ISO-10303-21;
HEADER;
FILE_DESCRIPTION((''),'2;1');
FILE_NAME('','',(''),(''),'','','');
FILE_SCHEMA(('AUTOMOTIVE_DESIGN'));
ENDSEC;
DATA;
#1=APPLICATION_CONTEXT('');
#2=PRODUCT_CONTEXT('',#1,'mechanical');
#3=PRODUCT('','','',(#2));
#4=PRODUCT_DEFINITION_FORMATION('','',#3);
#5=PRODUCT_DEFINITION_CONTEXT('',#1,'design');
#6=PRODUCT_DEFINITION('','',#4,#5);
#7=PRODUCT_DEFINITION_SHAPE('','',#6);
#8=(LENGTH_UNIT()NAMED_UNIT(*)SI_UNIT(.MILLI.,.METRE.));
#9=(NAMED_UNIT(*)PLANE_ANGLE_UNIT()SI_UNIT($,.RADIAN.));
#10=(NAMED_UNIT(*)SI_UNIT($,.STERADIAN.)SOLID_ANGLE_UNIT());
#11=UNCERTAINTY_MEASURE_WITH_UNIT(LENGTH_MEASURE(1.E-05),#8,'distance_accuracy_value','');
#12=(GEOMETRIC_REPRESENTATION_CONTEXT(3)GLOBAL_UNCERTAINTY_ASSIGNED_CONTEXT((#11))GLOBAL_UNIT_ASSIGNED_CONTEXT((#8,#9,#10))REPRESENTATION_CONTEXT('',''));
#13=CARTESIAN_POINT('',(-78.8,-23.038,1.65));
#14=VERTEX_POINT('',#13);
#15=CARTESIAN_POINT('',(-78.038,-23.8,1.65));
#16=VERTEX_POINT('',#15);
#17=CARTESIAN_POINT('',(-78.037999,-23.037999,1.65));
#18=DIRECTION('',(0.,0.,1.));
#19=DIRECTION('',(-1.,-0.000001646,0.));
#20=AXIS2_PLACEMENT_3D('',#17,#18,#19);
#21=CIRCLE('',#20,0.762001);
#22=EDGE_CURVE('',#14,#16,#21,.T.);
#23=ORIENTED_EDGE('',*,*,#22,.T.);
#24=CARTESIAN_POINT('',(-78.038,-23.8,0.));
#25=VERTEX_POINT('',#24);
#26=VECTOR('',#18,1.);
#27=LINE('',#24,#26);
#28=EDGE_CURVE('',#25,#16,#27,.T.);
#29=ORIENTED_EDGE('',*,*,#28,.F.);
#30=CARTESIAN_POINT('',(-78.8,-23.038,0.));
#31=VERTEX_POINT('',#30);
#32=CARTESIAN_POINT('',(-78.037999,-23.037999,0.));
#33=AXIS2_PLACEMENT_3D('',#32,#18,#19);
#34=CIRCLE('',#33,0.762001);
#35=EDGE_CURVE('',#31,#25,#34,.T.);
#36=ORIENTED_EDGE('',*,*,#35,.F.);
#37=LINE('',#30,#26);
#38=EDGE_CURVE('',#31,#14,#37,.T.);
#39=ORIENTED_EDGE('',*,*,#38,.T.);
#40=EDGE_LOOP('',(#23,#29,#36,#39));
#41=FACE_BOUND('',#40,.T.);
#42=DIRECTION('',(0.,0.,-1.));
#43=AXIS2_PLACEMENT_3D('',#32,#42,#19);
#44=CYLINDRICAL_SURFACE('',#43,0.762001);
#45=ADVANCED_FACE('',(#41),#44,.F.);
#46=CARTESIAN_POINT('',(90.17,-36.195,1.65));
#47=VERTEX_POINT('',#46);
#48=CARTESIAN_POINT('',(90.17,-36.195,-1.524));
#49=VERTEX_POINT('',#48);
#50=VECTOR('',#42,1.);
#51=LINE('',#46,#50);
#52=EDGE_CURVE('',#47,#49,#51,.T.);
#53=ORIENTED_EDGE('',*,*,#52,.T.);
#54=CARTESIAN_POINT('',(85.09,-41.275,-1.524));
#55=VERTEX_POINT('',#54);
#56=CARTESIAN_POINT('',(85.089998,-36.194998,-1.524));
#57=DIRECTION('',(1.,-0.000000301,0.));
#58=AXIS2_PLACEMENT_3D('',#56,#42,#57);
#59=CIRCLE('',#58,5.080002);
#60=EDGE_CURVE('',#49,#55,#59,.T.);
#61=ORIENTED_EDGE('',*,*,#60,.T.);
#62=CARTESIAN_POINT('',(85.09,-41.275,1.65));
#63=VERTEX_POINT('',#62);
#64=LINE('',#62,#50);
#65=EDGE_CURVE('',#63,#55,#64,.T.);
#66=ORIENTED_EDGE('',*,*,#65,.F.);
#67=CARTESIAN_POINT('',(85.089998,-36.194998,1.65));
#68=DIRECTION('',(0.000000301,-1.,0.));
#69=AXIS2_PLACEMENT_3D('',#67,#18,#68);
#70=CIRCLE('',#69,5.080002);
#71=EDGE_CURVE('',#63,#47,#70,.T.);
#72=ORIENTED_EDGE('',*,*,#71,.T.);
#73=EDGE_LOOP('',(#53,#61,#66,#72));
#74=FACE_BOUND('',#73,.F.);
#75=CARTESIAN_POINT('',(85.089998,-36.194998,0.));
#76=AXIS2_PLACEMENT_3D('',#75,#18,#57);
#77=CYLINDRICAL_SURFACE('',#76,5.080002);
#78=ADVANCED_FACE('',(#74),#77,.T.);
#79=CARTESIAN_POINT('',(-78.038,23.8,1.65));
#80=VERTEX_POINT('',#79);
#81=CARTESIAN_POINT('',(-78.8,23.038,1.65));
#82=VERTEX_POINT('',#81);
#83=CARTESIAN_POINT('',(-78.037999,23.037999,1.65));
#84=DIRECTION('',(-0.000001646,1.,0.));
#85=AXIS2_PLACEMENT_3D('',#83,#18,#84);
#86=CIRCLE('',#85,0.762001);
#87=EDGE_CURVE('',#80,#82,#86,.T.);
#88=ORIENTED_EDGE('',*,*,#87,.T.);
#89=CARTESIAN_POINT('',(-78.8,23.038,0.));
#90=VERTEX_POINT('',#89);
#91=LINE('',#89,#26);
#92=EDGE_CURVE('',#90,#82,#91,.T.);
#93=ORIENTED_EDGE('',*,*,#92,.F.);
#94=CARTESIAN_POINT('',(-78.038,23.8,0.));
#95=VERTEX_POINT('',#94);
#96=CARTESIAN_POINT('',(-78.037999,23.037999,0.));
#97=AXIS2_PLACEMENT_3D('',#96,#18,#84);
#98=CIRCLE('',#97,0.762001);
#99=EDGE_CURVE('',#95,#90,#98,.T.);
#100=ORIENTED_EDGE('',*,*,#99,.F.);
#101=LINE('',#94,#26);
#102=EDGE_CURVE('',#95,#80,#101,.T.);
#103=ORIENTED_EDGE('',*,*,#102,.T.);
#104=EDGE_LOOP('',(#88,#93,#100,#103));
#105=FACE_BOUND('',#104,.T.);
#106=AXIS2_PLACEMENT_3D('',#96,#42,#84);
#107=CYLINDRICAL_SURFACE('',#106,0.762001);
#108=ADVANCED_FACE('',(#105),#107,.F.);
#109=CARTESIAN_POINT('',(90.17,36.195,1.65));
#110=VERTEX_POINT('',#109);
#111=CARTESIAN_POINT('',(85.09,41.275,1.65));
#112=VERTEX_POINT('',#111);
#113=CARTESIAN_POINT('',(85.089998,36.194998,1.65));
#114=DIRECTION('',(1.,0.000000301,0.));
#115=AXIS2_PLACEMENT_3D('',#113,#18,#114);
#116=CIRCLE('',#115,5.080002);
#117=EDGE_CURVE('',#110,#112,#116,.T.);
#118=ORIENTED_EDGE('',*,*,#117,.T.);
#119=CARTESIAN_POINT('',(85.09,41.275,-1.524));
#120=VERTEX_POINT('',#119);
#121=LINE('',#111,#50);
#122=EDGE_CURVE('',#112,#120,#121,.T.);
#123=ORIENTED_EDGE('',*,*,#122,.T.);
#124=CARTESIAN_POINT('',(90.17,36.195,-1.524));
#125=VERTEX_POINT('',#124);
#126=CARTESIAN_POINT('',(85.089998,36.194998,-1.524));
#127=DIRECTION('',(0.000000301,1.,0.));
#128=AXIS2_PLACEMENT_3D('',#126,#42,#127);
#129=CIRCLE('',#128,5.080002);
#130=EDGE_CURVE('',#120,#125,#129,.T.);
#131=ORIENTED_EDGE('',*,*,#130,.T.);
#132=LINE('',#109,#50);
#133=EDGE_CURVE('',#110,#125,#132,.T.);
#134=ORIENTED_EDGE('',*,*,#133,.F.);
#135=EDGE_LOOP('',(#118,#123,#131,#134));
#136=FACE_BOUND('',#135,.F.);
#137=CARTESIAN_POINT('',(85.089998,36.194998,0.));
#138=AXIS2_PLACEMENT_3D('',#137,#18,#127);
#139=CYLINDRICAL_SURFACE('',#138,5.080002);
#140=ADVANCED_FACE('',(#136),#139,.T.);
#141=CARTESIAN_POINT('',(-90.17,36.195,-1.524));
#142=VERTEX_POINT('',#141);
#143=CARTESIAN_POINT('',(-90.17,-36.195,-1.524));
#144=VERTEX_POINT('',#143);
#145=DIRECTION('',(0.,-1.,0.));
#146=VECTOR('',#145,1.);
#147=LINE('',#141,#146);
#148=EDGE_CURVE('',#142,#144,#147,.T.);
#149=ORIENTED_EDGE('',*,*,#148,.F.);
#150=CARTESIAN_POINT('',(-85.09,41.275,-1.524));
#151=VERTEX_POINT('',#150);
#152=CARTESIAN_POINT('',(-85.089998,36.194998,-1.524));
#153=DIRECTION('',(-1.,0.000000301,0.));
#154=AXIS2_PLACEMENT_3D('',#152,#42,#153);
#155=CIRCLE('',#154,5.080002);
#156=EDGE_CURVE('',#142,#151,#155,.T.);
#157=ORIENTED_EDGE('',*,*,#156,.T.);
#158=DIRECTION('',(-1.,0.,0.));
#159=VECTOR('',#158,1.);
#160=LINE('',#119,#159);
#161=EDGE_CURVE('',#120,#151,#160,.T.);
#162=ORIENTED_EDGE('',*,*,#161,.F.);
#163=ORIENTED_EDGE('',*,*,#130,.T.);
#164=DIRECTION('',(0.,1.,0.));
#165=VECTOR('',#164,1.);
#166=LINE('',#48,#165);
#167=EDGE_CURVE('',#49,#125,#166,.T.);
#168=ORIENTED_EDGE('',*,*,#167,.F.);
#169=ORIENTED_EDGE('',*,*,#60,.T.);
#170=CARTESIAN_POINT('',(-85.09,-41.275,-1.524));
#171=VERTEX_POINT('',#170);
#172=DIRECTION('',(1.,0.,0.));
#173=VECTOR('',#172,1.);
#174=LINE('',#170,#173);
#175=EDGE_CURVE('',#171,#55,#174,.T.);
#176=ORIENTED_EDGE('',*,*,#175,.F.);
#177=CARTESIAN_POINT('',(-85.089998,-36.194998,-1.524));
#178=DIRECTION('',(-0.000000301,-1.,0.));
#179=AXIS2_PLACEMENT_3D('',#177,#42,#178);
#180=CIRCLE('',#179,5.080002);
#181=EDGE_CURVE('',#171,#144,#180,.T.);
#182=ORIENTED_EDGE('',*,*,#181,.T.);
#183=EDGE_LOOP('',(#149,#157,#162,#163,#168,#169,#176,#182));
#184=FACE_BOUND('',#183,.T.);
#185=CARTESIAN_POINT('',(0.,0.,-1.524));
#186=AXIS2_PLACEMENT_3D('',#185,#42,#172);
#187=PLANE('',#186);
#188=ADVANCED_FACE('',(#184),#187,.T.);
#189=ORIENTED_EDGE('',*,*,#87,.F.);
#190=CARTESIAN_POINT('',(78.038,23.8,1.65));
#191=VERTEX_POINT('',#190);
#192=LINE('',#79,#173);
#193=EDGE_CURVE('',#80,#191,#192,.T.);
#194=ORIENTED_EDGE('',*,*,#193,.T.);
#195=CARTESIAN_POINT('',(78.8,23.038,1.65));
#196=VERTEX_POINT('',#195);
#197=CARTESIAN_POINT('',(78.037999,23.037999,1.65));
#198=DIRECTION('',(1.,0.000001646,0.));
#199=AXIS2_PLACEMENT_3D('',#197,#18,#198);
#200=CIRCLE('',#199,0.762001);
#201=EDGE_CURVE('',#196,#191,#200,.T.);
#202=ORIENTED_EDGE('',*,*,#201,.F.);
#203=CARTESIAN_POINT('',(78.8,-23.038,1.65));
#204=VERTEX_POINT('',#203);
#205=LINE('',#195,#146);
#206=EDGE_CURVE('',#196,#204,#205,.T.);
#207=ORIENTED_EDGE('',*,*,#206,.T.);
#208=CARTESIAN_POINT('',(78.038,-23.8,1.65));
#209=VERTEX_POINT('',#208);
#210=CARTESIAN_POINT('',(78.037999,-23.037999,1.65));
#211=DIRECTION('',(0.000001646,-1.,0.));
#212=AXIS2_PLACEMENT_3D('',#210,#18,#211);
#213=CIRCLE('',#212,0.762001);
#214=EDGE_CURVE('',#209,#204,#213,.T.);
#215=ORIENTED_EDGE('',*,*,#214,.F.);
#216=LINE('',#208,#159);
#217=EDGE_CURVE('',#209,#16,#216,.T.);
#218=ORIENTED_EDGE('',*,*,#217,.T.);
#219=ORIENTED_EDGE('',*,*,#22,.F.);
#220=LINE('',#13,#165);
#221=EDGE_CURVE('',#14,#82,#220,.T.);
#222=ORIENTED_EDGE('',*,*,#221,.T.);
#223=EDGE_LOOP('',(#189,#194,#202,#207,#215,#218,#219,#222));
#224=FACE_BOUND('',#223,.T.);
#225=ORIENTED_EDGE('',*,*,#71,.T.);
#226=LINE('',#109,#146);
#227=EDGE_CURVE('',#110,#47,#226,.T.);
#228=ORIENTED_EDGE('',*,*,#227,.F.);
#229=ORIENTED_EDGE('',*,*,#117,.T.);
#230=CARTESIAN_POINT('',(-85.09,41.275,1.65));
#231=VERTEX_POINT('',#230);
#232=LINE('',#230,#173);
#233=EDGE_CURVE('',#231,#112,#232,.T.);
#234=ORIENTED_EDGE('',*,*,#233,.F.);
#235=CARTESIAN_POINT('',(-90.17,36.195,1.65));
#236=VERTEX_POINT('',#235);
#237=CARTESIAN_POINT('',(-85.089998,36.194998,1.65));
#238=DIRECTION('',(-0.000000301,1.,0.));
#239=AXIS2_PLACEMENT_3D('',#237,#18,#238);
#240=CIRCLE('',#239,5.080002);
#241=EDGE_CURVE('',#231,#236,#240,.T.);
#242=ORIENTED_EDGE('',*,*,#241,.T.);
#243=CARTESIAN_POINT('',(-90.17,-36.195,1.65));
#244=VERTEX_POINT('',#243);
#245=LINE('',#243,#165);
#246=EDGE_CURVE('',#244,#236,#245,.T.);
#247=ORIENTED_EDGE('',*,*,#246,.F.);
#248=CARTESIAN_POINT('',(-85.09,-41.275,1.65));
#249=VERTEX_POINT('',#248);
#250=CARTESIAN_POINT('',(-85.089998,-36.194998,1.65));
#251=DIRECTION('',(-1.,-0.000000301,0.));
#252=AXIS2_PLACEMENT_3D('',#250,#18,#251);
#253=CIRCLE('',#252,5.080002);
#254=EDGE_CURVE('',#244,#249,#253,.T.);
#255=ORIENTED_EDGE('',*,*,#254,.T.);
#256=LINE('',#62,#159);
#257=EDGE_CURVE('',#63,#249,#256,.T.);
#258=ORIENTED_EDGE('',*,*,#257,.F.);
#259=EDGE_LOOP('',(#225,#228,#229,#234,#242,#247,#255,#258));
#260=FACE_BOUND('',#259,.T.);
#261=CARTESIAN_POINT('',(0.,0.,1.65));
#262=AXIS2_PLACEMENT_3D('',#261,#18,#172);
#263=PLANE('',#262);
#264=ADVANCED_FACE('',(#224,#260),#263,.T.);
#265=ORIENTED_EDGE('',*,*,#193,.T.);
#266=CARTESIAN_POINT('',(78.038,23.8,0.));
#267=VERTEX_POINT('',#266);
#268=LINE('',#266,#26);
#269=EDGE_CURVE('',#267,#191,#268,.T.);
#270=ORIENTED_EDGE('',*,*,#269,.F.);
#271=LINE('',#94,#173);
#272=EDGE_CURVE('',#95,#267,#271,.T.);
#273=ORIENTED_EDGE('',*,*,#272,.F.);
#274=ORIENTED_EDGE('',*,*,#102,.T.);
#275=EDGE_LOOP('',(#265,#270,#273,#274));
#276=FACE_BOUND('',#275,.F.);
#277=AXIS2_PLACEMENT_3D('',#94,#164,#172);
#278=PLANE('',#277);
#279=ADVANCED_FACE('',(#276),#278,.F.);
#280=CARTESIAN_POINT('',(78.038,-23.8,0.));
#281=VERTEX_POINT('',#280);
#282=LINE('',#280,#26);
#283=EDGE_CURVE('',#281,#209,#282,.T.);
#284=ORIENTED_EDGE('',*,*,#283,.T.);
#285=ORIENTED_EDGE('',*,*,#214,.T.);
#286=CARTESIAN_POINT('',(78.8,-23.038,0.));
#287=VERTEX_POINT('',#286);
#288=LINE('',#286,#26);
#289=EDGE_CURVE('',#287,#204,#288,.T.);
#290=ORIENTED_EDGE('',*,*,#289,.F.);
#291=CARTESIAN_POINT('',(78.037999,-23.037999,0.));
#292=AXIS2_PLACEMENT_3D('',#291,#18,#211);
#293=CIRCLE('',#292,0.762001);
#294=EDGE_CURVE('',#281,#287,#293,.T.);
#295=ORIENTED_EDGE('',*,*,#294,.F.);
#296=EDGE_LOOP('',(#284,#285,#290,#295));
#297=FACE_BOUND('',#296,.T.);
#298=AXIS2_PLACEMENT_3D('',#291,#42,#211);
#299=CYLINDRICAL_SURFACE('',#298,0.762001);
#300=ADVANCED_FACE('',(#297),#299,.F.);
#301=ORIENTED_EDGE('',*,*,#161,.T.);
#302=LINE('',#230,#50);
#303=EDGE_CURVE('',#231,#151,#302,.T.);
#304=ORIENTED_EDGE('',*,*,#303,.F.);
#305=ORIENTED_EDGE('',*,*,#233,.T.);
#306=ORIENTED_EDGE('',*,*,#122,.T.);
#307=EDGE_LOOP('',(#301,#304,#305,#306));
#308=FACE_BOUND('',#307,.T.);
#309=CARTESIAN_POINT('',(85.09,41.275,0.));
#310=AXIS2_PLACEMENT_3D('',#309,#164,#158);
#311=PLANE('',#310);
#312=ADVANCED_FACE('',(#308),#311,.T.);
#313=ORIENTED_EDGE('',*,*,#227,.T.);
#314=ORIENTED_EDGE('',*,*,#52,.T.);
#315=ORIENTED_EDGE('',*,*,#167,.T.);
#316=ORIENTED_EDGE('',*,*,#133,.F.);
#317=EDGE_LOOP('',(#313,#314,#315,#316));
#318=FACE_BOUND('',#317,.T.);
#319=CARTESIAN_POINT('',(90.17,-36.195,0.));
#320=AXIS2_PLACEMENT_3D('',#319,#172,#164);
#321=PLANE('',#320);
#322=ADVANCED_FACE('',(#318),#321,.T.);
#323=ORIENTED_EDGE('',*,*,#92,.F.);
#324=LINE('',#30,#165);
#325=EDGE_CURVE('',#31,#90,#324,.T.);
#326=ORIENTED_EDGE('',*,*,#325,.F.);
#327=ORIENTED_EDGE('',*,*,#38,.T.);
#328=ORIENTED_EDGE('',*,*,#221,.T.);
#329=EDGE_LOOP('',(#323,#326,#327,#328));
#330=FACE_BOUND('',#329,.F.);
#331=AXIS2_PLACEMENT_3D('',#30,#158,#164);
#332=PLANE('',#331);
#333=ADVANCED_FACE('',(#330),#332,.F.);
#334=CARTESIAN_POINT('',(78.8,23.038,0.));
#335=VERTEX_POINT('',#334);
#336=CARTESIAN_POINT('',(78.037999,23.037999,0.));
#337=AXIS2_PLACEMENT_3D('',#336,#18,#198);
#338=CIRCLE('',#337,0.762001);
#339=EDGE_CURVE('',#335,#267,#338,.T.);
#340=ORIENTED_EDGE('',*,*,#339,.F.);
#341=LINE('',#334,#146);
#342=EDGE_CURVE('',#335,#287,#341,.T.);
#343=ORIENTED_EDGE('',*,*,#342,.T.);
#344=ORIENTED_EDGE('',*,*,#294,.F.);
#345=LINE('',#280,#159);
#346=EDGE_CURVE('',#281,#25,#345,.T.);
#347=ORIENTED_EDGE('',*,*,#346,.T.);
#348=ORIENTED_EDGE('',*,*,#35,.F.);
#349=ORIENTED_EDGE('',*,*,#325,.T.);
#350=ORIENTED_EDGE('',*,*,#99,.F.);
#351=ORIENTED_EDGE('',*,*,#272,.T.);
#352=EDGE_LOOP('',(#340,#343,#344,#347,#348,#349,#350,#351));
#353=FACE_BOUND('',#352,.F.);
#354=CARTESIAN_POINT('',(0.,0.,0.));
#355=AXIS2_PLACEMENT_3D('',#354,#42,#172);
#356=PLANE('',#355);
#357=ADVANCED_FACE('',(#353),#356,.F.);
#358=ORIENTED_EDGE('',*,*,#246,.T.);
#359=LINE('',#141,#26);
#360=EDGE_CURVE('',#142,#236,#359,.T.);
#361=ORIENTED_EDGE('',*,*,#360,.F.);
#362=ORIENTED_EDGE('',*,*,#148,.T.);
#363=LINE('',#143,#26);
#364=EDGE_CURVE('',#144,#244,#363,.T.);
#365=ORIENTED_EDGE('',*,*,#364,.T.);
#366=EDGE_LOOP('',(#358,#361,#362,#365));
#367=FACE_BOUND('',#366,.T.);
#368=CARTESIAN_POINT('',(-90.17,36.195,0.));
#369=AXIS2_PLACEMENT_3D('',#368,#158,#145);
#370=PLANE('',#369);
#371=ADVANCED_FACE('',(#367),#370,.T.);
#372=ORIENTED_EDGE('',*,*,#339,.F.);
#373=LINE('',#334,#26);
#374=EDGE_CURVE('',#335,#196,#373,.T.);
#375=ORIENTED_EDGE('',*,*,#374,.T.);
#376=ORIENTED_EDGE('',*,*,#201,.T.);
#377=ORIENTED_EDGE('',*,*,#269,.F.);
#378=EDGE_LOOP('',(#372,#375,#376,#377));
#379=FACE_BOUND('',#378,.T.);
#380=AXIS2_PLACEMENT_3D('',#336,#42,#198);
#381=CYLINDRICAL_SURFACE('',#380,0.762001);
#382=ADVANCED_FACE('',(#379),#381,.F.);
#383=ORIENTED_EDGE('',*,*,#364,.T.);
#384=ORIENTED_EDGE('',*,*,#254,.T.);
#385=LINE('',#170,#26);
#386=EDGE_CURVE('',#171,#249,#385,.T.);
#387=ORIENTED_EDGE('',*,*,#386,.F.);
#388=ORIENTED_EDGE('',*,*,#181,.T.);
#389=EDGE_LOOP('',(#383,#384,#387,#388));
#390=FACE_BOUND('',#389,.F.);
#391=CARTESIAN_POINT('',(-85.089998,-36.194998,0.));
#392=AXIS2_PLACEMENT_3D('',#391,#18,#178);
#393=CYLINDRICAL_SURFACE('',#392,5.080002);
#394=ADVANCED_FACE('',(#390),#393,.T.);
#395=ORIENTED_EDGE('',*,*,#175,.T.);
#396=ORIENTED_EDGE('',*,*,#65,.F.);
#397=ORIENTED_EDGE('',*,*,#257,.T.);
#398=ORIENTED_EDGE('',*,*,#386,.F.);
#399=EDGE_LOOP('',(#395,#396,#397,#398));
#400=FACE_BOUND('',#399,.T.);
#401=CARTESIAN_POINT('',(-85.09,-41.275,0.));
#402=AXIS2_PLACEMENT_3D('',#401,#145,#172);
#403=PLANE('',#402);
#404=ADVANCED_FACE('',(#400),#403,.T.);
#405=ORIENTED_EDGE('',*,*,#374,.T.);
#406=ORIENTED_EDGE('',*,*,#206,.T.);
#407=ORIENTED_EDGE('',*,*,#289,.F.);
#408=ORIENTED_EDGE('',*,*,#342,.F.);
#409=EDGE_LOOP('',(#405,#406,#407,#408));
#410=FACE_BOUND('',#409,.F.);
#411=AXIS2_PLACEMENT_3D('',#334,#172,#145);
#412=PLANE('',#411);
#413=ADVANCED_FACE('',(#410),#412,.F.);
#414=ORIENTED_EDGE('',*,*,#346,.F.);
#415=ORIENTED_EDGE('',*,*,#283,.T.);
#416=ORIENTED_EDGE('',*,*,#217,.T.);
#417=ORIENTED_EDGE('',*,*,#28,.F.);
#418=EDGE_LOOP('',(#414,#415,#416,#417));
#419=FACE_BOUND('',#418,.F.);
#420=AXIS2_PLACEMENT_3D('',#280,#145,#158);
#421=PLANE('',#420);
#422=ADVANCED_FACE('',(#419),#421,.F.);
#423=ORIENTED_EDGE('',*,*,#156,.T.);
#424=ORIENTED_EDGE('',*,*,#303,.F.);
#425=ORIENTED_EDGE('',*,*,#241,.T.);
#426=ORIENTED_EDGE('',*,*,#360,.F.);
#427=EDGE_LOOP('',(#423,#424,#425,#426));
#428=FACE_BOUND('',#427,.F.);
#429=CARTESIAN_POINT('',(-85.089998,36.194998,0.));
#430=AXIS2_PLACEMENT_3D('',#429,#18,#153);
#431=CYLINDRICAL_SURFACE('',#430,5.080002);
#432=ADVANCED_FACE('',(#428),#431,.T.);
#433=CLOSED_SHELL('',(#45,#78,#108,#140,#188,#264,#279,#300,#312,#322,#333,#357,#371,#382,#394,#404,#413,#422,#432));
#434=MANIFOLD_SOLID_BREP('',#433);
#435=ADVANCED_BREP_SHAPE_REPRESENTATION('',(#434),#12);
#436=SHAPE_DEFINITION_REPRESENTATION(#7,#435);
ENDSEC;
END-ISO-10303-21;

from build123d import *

# Parameters (mm, degrees)
PAD_DEPTH    = 1.65
PAD001_DEPTH = 1.524


with BuildPart() as part:
    # Sketch → Pad (new body)
    with BuildSketch(Plane.XY):
        with BuildLine():
            ThreePointArc((-90.17, -36.195), (-88.682102, -39.787102), (-85.09, -41.275))
            Line((85.09, -41.275), (-85.09, -41.275))
            ThreePointArc((85.09, -41.275), (88.682102, -39.787102), (90.17, -36.195))
            Line((90.17, 36.195), (90.17, -36.195))
            ThreePointArc((90.17, 36.195), (88.682102, 39.787102), (85.09, 41.275))
            Line((-85.09, 41.275), (85.09, 41.275))
            ThreePointArc((-85.09, 41.275), (-88.682102, 39.787102), (-90.17, 36.195))
            Line((-90.17, -36.195), (-90.17, 36.195))
        make_face()
        with BuildLine():
            ThreePointArc((-78.8, -23.038), (-78.576815, -23.576815), (-78.038, -23.8))
            Line((78.038, -23.8), (-78.038, -23.8))
            ThreePointArc((78.038, -23.8), (78.576815, -23.576815), (78.8, -23.038))
            Line((78.8, 23.038), (78.8, -23.038))
            ThreePointArc((78.8, 23.038), (78.576815, 23.576815), (78.038, 23.8))
            Line((-78.038, 23.8), (78.038, 23.8))
            ThreePointArc((-78.038, 23.8), (-78.576815, 23.576815), (-78.8, 23.038))
            Line((-78.8, -23.038), (-78.8, 23.038))
        make_face(mode=Mode.SUBTRACT)
    extrude(amount=PAD_DEPTH)

    # Sketch001 (on Face17 of Pad) → Pad001 (join)
    with BuildSketch(Plane(origin=(0, 0, 0), x_dir=(1, 0, 0), z_dir=(0, 0, -1))):
        with BuildLine():
            ThreePointArc((-90.17, -36.195), (-88.682102, -39.787102), (-85.09, -41.275))
            Line((85.09, -41.275), (-85.09, -41.275))
            ThreePointArc((85.09, -41.275), (88.682102, -39.787102), (90.17, -36.195))
            Line((90.17, 36.195), (90.17, -36.195))
            ThreePointArc((90.17, 36.195), (88.682102, 39.787102), (85.09, 41.275))
            Line((-85.09, 41.275), (85.09, 41.275))
            ThreePointArc((-85.09, 41.275), (-88.682102, 39.787102), (-90.17, 36.195))
            Line((-90.17, -36.195), (-90.17, 36.195))
        make_face()
    extrude(amount=PAD001_DEPTH)


solid = part.part
